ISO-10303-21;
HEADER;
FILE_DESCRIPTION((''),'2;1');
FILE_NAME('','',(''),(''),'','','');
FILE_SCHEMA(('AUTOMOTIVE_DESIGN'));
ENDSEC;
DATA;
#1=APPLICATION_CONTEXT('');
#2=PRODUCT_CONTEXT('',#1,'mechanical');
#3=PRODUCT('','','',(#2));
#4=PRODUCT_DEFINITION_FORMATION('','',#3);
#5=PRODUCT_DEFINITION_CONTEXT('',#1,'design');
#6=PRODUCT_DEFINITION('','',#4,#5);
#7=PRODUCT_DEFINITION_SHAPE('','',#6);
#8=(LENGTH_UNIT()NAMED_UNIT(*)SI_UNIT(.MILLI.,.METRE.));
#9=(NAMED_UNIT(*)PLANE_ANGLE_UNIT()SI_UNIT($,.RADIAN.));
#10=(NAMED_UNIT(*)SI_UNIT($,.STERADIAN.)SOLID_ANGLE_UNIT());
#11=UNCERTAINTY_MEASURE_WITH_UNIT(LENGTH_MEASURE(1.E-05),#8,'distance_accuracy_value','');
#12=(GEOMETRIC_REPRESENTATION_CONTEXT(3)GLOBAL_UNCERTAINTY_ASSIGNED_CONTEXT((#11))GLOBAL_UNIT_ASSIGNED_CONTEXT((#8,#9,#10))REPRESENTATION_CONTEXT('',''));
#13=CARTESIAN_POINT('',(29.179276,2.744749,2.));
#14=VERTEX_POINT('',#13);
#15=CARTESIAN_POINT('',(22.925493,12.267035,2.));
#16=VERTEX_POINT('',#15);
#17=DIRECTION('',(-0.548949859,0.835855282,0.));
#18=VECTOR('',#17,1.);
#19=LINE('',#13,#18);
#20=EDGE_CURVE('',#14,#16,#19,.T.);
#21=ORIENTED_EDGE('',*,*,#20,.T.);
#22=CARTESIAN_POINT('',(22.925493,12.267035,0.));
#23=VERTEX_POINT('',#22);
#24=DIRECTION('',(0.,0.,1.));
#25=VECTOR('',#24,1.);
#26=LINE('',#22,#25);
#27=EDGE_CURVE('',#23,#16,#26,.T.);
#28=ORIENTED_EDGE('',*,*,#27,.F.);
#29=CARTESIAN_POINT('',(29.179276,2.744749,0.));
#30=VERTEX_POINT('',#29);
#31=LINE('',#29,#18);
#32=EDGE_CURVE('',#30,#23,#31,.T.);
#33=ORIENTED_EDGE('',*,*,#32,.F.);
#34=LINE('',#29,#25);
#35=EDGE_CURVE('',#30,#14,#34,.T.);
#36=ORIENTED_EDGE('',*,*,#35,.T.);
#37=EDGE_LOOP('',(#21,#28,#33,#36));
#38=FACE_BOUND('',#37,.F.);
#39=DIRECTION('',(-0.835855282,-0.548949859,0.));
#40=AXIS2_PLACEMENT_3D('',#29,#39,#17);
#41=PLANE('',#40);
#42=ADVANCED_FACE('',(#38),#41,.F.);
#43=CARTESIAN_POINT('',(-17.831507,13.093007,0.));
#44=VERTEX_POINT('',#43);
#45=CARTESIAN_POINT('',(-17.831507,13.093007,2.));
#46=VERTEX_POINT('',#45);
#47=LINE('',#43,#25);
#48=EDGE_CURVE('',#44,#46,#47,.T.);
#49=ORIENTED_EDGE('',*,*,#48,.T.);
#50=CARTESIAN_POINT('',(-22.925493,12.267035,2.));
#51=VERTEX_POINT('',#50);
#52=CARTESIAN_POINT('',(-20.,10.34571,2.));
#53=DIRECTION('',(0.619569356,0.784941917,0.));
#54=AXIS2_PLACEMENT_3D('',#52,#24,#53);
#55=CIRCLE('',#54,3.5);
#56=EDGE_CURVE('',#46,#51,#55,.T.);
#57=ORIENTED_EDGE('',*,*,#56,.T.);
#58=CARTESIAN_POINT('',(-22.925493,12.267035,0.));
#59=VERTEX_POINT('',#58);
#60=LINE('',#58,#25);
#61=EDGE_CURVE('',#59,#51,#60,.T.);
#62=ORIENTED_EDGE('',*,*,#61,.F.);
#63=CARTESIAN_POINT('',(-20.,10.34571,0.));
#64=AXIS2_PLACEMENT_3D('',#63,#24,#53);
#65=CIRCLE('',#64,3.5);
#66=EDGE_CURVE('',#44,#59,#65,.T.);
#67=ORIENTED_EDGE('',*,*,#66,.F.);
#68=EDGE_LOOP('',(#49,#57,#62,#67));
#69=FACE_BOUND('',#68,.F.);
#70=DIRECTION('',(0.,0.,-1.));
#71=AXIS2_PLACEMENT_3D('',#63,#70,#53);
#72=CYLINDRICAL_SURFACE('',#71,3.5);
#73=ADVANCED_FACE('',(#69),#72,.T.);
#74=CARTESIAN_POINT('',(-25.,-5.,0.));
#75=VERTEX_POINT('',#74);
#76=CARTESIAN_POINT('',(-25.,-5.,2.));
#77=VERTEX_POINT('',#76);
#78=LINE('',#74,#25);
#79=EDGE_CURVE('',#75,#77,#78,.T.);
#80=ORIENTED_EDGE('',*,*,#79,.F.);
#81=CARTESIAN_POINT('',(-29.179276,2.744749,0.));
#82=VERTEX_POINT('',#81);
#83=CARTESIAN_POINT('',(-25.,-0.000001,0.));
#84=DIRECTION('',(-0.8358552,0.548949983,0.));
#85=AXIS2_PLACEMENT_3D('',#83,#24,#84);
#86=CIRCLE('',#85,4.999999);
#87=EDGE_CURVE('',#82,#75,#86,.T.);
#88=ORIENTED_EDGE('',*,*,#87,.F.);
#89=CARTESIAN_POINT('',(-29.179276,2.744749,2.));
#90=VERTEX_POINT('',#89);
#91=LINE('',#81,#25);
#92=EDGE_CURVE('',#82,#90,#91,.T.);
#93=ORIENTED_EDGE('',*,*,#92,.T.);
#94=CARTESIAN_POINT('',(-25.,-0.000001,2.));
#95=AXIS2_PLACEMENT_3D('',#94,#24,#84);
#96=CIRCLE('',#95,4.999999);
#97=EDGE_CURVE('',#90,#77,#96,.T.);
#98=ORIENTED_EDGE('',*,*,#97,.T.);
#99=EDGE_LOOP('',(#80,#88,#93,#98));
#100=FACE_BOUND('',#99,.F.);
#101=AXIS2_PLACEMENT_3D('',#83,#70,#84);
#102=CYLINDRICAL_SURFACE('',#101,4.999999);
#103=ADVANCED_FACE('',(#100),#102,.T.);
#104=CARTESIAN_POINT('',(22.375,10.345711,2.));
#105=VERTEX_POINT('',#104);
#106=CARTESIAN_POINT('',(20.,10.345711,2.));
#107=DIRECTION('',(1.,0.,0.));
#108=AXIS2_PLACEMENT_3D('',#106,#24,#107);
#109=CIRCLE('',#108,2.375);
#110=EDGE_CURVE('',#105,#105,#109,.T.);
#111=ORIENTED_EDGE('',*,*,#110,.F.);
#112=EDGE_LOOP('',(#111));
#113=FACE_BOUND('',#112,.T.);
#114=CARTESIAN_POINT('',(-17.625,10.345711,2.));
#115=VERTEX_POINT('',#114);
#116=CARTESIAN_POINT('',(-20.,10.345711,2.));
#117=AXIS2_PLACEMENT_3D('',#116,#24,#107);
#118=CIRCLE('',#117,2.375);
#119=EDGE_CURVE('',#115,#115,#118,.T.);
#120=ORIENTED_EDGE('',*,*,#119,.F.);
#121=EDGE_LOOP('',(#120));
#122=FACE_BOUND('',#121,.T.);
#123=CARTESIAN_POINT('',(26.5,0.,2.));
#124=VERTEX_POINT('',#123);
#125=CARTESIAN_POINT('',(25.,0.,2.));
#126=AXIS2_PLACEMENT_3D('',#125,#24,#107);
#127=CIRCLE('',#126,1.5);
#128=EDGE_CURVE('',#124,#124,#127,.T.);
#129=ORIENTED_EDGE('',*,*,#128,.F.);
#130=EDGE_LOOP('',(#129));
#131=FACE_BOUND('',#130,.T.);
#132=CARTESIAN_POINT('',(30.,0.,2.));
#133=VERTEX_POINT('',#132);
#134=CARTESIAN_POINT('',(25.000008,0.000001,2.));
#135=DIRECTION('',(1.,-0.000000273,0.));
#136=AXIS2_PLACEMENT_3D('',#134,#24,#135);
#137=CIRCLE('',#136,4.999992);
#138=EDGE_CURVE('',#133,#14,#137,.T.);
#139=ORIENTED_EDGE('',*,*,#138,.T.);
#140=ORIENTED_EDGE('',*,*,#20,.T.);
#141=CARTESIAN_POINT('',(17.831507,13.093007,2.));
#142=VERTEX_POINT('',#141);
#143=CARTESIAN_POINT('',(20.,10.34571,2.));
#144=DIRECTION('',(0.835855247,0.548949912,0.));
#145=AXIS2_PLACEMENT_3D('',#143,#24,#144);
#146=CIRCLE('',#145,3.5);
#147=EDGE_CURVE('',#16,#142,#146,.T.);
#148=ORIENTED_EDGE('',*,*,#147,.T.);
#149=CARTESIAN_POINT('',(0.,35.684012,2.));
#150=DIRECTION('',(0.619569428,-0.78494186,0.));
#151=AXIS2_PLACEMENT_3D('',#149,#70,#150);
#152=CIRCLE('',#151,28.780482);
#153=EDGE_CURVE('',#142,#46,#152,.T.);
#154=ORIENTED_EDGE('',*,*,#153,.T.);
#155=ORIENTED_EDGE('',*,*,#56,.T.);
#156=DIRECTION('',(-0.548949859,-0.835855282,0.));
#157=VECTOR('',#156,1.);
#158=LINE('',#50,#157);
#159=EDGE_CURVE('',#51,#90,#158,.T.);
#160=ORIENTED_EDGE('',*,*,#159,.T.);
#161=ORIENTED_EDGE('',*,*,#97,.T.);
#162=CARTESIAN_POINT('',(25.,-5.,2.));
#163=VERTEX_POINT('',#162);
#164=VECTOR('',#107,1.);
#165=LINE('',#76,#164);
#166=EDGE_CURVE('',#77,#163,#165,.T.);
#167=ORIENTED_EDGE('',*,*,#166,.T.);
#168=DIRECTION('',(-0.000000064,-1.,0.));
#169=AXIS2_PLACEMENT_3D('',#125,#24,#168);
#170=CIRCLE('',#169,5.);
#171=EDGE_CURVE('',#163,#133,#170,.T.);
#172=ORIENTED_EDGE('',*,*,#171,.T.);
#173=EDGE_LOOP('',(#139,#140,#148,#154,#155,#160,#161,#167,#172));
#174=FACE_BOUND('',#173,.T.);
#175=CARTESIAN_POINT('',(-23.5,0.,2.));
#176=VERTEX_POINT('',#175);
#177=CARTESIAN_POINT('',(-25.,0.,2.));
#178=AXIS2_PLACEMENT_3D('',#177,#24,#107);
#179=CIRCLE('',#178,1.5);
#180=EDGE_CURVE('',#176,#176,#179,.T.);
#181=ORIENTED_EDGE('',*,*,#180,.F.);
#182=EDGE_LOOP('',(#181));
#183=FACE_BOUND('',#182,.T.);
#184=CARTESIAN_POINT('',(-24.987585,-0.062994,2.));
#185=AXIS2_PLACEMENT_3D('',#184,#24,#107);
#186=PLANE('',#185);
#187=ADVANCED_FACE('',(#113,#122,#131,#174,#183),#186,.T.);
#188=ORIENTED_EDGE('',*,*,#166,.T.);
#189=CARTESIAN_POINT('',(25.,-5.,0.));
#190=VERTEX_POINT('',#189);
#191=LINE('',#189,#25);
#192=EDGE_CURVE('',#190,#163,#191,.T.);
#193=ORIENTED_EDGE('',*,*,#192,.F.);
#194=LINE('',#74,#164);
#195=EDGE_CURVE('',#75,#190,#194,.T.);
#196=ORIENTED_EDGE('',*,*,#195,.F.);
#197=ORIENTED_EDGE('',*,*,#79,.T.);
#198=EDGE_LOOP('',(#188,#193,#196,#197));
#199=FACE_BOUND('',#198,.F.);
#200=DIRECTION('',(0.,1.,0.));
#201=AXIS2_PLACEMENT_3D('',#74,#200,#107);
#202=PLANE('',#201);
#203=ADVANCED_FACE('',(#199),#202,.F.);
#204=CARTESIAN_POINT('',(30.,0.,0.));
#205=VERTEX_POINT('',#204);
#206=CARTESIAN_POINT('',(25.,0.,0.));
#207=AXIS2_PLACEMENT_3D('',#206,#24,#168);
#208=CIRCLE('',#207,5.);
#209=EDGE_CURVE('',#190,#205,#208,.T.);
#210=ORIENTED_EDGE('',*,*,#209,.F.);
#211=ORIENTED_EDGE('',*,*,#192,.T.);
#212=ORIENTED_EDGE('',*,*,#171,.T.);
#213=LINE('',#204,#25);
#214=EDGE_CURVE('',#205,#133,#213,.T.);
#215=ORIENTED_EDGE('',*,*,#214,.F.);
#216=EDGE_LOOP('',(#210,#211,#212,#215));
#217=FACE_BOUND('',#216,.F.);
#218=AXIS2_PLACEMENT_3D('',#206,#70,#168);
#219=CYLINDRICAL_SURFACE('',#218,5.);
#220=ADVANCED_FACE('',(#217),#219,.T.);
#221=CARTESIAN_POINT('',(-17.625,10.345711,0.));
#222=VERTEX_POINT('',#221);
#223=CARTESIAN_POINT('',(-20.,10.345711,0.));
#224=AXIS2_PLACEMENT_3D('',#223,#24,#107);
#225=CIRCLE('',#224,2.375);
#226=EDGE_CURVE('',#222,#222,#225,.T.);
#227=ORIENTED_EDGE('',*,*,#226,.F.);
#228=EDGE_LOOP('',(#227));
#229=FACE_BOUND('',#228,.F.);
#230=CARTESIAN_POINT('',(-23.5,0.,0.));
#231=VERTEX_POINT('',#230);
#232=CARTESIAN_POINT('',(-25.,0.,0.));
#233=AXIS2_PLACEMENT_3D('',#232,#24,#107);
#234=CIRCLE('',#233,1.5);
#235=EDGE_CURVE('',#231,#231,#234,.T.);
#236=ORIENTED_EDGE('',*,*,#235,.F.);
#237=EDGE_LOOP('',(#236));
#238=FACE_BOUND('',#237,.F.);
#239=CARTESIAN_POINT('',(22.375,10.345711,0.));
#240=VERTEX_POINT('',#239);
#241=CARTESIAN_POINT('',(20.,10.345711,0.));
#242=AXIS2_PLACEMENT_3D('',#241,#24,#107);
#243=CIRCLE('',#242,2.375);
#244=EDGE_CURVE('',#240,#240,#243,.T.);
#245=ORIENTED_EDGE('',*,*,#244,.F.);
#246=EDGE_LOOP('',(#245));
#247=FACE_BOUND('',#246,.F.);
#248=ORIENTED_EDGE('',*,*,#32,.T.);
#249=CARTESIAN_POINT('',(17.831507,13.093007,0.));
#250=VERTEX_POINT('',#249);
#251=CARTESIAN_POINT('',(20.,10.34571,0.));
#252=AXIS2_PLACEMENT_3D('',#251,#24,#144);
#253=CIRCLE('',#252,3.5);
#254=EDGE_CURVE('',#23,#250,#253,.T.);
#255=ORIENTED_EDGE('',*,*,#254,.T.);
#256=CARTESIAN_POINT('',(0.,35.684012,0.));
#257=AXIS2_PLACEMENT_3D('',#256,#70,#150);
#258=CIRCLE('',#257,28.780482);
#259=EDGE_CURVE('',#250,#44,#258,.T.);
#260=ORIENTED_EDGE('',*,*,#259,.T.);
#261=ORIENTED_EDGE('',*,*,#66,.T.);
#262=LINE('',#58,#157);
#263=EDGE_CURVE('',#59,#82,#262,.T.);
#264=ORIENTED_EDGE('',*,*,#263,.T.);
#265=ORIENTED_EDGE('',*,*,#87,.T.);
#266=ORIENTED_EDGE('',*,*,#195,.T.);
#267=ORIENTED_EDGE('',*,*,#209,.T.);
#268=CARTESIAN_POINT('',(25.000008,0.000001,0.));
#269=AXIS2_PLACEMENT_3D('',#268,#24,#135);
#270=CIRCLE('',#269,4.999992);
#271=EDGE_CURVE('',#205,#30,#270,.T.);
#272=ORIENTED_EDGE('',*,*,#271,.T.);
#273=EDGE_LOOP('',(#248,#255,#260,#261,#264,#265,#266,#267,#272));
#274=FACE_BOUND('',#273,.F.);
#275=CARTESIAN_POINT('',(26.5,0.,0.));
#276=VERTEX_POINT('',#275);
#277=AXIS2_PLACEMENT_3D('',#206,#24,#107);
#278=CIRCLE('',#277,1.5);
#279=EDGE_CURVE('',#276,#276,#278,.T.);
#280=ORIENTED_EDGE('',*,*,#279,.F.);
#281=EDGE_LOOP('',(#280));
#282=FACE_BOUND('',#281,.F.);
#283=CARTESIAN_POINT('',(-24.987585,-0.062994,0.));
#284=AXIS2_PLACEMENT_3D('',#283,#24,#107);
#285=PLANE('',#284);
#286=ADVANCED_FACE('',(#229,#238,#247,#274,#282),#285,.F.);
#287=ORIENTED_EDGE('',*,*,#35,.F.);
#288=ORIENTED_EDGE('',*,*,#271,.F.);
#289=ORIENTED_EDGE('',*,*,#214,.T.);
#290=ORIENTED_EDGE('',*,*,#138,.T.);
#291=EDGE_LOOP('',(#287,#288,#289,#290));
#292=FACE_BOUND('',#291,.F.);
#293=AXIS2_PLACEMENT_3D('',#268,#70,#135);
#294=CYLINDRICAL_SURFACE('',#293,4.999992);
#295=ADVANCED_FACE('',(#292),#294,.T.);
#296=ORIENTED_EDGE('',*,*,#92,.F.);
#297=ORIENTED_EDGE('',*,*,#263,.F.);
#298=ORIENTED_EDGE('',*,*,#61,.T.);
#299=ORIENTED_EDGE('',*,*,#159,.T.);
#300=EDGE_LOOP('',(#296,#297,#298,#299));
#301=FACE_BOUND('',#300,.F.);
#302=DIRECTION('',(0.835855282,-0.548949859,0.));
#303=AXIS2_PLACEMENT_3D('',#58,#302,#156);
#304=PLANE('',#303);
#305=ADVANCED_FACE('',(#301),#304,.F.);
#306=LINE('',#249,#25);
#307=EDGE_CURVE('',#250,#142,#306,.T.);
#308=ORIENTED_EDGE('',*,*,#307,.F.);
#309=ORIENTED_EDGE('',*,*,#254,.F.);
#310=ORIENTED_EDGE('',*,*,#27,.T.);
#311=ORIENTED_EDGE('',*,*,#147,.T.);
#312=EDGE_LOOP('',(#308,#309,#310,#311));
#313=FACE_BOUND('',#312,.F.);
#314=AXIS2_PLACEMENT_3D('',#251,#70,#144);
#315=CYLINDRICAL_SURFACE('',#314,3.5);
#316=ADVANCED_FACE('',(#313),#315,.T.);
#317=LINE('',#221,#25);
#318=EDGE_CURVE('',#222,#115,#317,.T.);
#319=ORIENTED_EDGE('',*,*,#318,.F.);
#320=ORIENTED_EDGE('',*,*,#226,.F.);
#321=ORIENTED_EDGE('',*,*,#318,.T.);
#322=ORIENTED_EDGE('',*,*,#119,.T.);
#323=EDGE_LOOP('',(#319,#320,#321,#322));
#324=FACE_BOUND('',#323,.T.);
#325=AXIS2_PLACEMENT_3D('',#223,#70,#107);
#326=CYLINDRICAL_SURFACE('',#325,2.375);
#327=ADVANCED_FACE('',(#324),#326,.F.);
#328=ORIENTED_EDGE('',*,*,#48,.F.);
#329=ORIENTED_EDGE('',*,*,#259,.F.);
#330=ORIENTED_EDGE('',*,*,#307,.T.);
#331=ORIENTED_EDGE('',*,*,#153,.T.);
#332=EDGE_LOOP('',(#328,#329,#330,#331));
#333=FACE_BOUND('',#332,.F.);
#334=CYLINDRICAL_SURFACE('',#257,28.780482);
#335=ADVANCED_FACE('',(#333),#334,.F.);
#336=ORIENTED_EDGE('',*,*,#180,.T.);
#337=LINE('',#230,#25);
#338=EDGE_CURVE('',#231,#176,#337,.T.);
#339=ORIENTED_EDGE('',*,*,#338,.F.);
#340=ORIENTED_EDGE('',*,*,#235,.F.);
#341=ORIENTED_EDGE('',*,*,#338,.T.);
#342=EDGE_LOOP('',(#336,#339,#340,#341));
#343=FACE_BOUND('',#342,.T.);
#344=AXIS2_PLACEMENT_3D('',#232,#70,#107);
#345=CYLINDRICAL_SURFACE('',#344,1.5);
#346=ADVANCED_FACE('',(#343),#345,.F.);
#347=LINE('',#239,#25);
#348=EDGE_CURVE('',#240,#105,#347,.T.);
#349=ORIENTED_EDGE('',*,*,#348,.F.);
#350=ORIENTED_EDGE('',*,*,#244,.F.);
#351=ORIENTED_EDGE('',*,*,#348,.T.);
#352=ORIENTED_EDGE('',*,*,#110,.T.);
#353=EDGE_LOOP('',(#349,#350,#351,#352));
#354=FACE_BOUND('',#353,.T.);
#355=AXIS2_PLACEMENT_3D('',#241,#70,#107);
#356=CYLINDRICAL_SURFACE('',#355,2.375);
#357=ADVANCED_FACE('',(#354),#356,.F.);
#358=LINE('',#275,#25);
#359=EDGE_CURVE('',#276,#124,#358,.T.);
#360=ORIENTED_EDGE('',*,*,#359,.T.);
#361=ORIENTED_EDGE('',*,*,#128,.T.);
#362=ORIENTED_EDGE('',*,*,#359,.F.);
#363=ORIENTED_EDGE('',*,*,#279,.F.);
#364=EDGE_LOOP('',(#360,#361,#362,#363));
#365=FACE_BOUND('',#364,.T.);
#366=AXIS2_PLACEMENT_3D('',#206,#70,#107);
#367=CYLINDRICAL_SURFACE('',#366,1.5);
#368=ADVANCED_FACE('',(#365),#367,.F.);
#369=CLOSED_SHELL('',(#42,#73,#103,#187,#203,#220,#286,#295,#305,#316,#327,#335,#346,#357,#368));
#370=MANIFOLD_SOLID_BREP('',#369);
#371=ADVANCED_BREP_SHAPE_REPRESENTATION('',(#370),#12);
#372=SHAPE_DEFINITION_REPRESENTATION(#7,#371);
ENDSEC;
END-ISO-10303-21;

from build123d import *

# Parameters (mm, degrees)
F0_R     = 1.5
F0_R_2   = 2.375
F1_DEPTH = 2


with BuildPart() as f1:
    # F0 (on Top) → F1 (new body)
    with BuildSketch(Plane.XY):
        with BuildLine():
            ThreePointArc((-25, -5), (-21.464466, -3.535534), (-20, 0))
            ThreePointArc((-20, 0), (-23.567586, 4.790427), (-29.179276, 2.744749))
            ThreePointArc((-29.179276, 2.744749), (-29.400213, -2.374474), (-25, -5))
        make_face()
        with Locations((-25, 0)):
            Circle(F0_R, mode=Mode.SUBTRACT)
        with BuildLine():
            ThreePointArc((-29.179276, 2.744749), (-23.567586, 4.790427), (-20, 0))
            ThreePointArc((-20, 0), (-21.464466, -3.535534), (-25, -5))
            Line((-25, -5), (25, -5))
            ThreePointArc((25, -5), (20.599787, 2.374474), (29.179276, 2.744749))
            Line((29.179276, 2.744749), (22.925493, 12.267035))
            ThreePointArc((22.925493, 12.267035), (23.353299, 11.3484), (23.5, 10.345711))
            ThreePointArc((23.5, 10.345711), (18.473521, 7.196129), (17.831507, 13.093007))
            ThreePointArc((17.831507, 13.093007), (0, 6.90353), (-17.831507, 13.093007))
            ThreePointArc((-17.831507, 13.093007), (-16.850419, 11.872189), (-16.5, 10.345711))
            ThreePointArc((-16.5, 10.345711), (-21.00269, 6.992412), (-22.925493, 12.267035))
            Line((-22.925493, 12.267035), (-29.179276, 2.744749))
        make_face()
        with BuildLine():
            ThreePointArc((29.179276, 2.744749), (20.599787, 2.374474), (25, -5))
            ThreePointArc((25, -5), (28.535534, -3.535534), (30, 0))
            ThreePointArc((30, 0), (29.790427, 1.432414), (29.179276, 2.744749))
        make_face()
        with Locations((25, 0)):
            Circle(F0_R, mode=Mode.SUBTRACT)
        with BuildLine():
            ThreePointArc((22.925493, 12.267035), (20.560196, 13.800588), (17.831507, 13.093007))
            ThreePointArc((17.831507, 13.093007), (18.473521, 7.196129), (23.5, 10.345711))
            ThreePointArc((23.5, 10.345711), (23.353299, 11.3484), (22.925493, 12.267035))
        make_face()
        with Locations((20, 10.345711)):
            Circle(F0_R_2, mode=Mode.SUBTRACT)
        with BuildLine():
            ThreePointArc((-17.831507, 13.093007), (-20.560196, 13.800588), (-22.925493, 12.267035))
            ThreePointArc((-22.925493, 12.267035), (-21.00269, 6.992412), (-16.5, 10.345711))
            ThreePointArc((-16.5, 10.345711), (-16.850419, 11.872189), (-17.831507, 13.093007))
        make_face()
        with Locations((-20, 10.345711)):
            Circle(F0_R_2, mode=Mode.SUBTRACT)
    extrude(amount=F1_DEPTH)


solid = f1.part
